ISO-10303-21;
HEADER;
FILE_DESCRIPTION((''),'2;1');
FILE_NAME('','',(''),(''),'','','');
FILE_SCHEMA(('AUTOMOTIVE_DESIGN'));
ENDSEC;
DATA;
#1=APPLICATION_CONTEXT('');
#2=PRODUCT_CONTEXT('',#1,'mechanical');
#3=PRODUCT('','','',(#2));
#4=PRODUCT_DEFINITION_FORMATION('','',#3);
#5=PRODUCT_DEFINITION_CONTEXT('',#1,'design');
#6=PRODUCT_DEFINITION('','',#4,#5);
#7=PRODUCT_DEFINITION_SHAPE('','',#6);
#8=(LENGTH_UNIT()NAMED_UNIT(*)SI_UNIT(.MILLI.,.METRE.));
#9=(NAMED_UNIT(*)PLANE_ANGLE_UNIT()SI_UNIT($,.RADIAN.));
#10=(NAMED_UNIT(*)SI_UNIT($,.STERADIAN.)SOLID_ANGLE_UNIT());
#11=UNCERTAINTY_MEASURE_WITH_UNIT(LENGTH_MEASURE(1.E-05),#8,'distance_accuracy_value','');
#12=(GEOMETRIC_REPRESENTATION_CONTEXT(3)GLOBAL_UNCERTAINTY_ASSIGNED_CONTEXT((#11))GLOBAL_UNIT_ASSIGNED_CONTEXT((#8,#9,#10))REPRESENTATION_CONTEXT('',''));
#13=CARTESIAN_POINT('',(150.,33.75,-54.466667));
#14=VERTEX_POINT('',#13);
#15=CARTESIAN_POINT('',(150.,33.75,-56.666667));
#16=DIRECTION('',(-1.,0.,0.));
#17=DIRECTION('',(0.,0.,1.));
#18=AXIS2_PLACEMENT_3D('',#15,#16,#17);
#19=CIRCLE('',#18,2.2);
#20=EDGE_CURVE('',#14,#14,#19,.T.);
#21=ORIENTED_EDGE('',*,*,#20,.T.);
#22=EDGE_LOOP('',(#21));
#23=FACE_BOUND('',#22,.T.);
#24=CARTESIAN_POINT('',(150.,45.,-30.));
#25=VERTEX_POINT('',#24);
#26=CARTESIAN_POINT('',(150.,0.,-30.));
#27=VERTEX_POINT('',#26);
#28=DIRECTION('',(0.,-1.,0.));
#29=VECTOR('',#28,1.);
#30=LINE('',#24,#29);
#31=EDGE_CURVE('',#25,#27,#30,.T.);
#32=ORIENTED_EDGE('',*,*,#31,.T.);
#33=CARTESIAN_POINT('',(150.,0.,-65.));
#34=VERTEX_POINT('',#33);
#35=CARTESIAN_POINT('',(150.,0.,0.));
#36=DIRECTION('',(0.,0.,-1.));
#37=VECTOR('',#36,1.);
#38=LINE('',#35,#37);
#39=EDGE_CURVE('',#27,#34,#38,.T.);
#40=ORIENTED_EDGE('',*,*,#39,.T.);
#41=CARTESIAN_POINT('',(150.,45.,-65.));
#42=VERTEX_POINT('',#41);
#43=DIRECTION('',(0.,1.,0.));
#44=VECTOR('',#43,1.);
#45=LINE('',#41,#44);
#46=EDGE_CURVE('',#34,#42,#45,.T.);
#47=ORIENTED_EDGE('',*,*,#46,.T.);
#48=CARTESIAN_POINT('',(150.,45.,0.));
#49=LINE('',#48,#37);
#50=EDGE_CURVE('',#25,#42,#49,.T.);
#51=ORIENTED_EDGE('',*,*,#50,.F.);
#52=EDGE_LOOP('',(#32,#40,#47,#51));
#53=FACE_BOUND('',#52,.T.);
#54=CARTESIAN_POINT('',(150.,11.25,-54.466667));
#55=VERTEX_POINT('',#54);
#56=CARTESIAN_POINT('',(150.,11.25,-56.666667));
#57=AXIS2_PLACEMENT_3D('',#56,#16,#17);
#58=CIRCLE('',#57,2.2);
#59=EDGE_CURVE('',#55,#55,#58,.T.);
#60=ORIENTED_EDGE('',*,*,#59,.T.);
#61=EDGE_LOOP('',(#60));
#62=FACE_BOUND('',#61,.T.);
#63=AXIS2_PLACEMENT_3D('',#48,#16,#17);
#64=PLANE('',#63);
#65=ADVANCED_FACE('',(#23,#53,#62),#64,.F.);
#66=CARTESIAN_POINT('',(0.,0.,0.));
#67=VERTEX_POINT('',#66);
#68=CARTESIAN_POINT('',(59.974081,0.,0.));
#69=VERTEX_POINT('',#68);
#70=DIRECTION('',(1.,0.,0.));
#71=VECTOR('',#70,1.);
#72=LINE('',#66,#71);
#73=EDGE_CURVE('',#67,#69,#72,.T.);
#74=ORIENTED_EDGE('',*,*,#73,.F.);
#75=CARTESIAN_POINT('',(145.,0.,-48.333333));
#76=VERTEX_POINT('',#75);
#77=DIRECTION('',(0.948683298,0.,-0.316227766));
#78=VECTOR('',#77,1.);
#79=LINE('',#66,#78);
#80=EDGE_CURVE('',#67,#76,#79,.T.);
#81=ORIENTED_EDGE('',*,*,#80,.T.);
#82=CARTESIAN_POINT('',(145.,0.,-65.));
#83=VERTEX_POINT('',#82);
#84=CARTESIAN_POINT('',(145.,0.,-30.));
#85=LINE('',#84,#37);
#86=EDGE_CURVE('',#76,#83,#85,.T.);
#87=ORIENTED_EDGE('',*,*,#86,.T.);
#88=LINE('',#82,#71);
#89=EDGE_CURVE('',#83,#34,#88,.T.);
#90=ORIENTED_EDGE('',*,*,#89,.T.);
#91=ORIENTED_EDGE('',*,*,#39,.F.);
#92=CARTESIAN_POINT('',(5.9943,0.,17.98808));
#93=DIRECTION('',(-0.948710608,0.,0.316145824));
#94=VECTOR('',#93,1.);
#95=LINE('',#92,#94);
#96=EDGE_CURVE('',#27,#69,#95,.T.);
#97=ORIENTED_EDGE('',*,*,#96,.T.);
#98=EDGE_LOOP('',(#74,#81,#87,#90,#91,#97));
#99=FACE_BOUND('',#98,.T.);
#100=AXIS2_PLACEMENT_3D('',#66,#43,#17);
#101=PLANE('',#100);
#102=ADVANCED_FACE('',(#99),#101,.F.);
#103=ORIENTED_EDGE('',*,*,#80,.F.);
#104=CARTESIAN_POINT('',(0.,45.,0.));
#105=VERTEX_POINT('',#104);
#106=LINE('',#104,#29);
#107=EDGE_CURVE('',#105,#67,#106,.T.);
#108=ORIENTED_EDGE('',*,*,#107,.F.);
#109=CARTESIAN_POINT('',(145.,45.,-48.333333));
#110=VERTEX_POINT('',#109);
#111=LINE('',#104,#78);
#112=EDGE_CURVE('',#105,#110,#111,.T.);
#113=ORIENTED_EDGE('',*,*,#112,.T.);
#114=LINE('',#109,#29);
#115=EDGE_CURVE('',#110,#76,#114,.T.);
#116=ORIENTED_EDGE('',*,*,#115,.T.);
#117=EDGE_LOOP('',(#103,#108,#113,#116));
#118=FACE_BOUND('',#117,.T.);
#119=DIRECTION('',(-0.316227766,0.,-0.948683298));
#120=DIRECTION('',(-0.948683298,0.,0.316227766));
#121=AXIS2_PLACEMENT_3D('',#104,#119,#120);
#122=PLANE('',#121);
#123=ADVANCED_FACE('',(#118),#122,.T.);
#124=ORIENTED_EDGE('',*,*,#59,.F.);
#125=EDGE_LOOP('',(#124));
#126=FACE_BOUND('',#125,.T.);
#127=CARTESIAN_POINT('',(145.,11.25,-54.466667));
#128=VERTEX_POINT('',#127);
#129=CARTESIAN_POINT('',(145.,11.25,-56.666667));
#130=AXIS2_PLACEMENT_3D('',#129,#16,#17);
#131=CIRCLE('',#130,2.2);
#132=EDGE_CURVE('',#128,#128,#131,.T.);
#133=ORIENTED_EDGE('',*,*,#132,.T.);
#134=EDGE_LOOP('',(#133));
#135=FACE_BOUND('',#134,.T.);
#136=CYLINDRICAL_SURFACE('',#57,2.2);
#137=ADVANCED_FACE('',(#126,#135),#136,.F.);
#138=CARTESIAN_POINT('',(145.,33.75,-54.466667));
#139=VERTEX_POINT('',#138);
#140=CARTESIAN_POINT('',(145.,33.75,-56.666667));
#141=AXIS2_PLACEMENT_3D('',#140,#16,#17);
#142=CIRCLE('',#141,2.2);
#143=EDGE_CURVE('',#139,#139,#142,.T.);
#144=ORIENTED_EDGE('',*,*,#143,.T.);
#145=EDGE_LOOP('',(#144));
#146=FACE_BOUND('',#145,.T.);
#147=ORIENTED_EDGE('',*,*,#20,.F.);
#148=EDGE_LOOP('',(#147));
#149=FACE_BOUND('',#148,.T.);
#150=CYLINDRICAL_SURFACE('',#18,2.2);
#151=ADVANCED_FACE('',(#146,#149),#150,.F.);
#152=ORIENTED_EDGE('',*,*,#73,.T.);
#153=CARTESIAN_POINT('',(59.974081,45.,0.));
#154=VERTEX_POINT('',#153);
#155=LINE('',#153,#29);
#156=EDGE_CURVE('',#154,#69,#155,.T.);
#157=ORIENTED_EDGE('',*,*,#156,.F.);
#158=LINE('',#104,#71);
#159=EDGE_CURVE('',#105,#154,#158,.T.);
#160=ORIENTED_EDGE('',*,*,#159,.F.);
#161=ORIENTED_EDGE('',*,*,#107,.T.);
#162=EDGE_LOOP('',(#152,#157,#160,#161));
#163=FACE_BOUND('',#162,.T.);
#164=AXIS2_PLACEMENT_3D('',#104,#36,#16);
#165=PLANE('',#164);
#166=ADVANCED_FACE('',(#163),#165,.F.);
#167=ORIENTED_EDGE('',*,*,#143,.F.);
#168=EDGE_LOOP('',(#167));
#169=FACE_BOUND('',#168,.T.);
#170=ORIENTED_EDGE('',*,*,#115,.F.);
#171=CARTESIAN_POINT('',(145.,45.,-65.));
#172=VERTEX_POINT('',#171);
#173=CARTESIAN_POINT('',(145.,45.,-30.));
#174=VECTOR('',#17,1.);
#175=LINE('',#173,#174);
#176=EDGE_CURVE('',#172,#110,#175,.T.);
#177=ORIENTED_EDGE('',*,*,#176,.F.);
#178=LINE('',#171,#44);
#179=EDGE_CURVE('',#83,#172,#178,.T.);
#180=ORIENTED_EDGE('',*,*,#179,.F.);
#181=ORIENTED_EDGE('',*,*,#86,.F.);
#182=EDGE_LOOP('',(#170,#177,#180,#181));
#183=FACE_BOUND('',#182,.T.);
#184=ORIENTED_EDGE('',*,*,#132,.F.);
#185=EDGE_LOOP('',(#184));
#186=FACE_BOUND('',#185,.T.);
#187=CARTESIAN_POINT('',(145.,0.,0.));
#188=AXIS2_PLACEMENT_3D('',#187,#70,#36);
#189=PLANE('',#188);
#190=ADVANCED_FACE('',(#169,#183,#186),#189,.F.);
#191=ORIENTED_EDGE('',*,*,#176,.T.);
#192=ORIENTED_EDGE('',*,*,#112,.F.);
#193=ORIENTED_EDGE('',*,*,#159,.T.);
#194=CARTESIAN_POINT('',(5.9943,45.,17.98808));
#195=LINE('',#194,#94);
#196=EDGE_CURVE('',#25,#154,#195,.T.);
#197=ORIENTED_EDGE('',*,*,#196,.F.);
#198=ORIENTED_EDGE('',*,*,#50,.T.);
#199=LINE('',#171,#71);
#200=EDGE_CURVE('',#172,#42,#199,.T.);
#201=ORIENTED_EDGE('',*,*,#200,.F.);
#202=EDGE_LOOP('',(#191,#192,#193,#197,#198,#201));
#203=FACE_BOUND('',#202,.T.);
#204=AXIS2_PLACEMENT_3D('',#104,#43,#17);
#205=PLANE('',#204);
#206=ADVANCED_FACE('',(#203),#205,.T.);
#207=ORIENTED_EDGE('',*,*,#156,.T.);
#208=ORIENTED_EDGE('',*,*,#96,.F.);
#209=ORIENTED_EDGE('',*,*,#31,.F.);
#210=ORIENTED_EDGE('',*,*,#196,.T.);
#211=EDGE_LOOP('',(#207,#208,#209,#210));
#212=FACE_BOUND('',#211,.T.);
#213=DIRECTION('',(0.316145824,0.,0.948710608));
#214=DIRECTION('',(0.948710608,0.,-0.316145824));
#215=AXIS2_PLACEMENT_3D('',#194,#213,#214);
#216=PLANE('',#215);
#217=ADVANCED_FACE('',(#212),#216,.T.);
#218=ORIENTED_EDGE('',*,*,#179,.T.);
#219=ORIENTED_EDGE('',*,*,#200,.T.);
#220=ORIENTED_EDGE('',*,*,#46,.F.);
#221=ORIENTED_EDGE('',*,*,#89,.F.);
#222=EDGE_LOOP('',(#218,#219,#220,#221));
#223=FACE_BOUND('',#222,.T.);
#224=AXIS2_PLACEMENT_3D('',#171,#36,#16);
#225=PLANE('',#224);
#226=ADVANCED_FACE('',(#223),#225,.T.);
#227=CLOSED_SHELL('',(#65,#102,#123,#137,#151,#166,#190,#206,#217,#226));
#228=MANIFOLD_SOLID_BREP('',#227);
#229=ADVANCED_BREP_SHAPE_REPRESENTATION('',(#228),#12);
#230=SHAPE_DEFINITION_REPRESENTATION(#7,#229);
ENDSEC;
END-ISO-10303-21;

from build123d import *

# Parameters (mm, degrees)
BOSS_EXTRUDE1_DEPTH = 45
SKETCH2_W           = 35
SKETCH2_H           = 45
BOSS_EXTRUDE2_DEPTH = 5
SKETCH3_R           = 2.2
CUT_EXTRUDE1_DEPTH  = 5


with BuildPart() as part:
    # Sketch1 → Boss-Extrude1 (new body)
    with BuildSketch(Plane(origin=(0, 0, 0), x_dir=(1, 0, 0), z_dir=(0, 1, 0))):
        Polygon((150, 50), (0, 0), (59.974081308, 0), (150, 30), align=None)
    extrude(amount=BOSS_EXTRUDE1_DEPTH)

    # Sketch2 → Boss-Extrude2 (add)
    with BuildSketch(Plane(origin=(150, 0, 0), x_dir=(0, 0, -1), z_dir=(1, 0, 0))):
        with Locations((47.5, 22.5)):
            Rectangle(SKETCH2_W, SKETCH2_H)
    extrude(amount=-BOSS_EXTRUDE2_DEPTH)

    # Sketch3 → Cut-Extrude1 (cut)
    with BuildSketch(Plane.ZY.offset(-145)):
        with Locations((-56.666666667, 33.75)):
            Circle(SKETCH3_R)
        with Locations((-56.666666667, 11.25)):
            Circle(SKETCH3_R)
    extrude(amount=-CUT_EXTRUDE1_DEPTH, mode=Mode.SUBTRACT)


solid = part.part
